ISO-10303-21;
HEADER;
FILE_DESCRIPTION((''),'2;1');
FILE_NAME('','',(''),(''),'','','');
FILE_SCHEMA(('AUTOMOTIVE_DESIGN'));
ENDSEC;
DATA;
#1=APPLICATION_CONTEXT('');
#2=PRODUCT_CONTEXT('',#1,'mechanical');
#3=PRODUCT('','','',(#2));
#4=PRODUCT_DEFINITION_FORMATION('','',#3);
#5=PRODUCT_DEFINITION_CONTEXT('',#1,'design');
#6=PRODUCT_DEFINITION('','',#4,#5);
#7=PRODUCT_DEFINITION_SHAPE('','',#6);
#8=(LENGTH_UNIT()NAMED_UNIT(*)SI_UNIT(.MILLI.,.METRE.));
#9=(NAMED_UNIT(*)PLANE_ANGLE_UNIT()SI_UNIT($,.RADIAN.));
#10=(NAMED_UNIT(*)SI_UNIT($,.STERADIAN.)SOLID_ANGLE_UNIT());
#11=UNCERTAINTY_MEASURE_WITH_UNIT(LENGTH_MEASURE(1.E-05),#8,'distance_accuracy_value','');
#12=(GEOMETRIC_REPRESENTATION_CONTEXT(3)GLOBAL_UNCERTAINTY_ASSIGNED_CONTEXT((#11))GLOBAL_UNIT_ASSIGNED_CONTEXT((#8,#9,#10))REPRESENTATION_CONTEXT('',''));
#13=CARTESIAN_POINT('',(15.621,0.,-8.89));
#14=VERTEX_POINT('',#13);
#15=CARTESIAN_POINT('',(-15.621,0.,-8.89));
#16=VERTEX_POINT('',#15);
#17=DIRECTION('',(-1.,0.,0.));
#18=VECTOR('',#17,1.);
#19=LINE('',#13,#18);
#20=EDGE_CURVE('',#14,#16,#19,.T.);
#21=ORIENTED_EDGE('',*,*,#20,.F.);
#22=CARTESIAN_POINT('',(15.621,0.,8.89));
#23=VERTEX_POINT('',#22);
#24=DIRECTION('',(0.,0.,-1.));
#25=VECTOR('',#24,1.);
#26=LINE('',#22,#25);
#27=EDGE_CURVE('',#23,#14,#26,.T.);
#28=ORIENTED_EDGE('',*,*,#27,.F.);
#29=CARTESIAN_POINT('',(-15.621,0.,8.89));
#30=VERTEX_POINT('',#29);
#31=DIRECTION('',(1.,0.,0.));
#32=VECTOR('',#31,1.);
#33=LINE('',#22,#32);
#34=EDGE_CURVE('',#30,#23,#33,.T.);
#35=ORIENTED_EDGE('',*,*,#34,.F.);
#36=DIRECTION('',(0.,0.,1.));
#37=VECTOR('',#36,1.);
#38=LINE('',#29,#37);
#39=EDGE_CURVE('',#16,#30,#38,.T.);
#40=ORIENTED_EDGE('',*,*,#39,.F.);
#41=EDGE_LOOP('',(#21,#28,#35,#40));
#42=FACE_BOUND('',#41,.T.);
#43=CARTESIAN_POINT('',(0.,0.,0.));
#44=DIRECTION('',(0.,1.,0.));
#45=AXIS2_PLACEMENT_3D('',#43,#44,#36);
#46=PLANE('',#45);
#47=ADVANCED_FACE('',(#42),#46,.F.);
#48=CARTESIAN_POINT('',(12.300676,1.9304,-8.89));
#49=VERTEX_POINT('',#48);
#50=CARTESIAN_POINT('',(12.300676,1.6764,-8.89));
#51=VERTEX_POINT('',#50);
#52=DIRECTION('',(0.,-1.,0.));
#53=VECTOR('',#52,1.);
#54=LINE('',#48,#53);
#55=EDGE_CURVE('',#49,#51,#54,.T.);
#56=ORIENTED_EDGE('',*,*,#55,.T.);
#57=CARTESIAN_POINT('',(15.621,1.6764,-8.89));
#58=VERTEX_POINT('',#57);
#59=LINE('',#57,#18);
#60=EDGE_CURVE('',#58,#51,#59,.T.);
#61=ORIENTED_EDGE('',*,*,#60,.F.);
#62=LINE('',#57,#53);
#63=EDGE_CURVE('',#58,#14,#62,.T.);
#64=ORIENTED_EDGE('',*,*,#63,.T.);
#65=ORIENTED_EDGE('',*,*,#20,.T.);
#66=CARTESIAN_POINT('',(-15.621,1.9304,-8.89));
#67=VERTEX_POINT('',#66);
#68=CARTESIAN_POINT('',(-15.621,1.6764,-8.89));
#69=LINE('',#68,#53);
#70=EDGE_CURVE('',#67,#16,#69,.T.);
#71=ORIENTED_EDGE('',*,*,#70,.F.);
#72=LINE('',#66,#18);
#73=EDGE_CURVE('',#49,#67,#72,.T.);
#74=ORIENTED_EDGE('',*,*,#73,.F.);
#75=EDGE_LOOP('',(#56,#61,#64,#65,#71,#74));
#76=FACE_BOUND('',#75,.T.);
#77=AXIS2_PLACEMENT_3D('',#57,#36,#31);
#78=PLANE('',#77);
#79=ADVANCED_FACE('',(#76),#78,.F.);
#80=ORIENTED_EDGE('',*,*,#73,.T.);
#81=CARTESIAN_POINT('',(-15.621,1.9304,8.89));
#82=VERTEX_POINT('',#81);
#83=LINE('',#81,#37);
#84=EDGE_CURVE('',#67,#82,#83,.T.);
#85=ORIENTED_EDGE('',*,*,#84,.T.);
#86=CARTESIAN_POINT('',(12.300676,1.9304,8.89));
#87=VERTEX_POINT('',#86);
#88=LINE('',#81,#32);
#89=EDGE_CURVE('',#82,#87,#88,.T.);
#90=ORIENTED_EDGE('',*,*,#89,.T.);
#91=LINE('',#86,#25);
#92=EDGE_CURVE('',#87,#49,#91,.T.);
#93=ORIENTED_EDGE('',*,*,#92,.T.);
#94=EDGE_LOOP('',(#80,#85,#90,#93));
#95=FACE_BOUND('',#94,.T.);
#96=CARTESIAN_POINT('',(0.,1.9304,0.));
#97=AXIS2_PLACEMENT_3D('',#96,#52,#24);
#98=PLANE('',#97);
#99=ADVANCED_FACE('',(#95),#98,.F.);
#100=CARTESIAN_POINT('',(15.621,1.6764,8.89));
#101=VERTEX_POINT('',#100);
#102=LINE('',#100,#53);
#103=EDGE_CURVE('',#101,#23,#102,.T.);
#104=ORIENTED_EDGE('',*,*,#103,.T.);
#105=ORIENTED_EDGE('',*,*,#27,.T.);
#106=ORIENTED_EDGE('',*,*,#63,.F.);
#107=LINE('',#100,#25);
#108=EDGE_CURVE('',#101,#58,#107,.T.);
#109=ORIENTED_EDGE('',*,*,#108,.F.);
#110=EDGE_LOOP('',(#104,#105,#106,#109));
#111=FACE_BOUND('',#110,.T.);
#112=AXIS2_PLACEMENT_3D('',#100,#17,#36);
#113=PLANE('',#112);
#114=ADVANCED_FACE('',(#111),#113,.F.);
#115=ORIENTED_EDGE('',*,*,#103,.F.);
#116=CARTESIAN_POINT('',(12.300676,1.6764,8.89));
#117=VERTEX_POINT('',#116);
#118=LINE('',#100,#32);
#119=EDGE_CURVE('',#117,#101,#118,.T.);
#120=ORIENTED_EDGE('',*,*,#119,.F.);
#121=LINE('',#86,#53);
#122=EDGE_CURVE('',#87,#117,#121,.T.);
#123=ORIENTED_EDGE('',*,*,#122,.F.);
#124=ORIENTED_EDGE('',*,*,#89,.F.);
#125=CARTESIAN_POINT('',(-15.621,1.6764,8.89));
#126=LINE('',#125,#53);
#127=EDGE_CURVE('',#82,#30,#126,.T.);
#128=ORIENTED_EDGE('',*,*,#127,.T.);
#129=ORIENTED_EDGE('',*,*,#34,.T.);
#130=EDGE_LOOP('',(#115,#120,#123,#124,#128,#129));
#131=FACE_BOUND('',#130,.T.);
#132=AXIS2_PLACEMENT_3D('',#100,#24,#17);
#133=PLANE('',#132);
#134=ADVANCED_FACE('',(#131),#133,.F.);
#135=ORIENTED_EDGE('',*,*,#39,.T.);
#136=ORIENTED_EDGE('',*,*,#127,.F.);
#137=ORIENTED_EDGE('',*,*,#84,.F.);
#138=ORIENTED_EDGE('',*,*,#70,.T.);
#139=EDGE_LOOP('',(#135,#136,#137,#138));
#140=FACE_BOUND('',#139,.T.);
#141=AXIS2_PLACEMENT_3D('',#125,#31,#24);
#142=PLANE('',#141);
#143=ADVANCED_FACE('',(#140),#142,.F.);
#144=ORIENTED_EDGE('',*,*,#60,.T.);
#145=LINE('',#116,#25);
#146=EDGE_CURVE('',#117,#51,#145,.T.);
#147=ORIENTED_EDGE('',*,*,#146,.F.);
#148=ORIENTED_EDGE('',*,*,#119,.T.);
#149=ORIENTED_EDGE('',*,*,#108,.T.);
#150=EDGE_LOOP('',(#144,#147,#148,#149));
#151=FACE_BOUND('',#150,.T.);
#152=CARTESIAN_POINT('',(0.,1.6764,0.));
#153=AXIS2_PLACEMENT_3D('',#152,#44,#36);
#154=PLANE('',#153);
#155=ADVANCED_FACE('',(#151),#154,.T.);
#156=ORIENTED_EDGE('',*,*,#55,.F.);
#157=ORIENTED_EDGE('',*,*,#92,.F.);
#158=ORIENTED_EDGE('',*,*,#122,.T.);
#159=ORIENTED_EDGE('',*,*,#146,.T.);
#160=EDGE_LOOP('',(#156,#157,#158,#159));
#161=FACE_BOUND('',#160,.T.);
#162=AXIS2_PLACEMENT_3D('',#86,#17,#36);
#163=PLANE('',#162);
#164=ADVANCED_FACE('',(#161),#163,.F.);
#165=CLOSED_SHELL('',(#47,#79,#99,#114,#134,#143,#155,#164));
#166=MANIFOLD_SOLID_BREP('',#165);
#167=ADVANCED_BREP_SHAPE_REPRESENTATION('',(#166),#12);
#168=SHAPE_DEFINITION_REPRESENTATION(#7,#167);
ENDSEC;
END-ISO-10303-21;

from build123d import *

# Parameters (mm, degrees)
SKETCH1_W           = 31.242
SKETCH1_H           = 17.78
BOSS_EXTRUDE1_DEPTH = 1.6764
SKETCH2_W           = 27.921676166
SKETCH2_H           = 17.78
BOSS_EXTRUDE2_DEPTH = 0.254


with BuildPart() as part:
    # Sketch1 → Boss-Extrude1 (new body)
    with BuildSketch(Plane(origin=(0, 0, 0), x_dir=(1, 0, 0), z_dir=(0, 1, 0))):
        Rectangle(SKETCH1_W, SKETCH1_H)
    extrude(amount=BOSS_EXTRUDE1_DEPTH)

    # Sketch2 → Boss-Extrude2 (add)
    with BuildSketch(Plane(origin=(0, 1.6764, 0), x_dir=(1, 0, 0), z_dir=(0, 1, 0))):
        with Locations((-1.660161917, 0)):
            Rectangle(SKETCH2_W, SKETCH2_H)
    extrude(amount=BOSS_EXTRUDE2_DEPTH)


solid = part.part
